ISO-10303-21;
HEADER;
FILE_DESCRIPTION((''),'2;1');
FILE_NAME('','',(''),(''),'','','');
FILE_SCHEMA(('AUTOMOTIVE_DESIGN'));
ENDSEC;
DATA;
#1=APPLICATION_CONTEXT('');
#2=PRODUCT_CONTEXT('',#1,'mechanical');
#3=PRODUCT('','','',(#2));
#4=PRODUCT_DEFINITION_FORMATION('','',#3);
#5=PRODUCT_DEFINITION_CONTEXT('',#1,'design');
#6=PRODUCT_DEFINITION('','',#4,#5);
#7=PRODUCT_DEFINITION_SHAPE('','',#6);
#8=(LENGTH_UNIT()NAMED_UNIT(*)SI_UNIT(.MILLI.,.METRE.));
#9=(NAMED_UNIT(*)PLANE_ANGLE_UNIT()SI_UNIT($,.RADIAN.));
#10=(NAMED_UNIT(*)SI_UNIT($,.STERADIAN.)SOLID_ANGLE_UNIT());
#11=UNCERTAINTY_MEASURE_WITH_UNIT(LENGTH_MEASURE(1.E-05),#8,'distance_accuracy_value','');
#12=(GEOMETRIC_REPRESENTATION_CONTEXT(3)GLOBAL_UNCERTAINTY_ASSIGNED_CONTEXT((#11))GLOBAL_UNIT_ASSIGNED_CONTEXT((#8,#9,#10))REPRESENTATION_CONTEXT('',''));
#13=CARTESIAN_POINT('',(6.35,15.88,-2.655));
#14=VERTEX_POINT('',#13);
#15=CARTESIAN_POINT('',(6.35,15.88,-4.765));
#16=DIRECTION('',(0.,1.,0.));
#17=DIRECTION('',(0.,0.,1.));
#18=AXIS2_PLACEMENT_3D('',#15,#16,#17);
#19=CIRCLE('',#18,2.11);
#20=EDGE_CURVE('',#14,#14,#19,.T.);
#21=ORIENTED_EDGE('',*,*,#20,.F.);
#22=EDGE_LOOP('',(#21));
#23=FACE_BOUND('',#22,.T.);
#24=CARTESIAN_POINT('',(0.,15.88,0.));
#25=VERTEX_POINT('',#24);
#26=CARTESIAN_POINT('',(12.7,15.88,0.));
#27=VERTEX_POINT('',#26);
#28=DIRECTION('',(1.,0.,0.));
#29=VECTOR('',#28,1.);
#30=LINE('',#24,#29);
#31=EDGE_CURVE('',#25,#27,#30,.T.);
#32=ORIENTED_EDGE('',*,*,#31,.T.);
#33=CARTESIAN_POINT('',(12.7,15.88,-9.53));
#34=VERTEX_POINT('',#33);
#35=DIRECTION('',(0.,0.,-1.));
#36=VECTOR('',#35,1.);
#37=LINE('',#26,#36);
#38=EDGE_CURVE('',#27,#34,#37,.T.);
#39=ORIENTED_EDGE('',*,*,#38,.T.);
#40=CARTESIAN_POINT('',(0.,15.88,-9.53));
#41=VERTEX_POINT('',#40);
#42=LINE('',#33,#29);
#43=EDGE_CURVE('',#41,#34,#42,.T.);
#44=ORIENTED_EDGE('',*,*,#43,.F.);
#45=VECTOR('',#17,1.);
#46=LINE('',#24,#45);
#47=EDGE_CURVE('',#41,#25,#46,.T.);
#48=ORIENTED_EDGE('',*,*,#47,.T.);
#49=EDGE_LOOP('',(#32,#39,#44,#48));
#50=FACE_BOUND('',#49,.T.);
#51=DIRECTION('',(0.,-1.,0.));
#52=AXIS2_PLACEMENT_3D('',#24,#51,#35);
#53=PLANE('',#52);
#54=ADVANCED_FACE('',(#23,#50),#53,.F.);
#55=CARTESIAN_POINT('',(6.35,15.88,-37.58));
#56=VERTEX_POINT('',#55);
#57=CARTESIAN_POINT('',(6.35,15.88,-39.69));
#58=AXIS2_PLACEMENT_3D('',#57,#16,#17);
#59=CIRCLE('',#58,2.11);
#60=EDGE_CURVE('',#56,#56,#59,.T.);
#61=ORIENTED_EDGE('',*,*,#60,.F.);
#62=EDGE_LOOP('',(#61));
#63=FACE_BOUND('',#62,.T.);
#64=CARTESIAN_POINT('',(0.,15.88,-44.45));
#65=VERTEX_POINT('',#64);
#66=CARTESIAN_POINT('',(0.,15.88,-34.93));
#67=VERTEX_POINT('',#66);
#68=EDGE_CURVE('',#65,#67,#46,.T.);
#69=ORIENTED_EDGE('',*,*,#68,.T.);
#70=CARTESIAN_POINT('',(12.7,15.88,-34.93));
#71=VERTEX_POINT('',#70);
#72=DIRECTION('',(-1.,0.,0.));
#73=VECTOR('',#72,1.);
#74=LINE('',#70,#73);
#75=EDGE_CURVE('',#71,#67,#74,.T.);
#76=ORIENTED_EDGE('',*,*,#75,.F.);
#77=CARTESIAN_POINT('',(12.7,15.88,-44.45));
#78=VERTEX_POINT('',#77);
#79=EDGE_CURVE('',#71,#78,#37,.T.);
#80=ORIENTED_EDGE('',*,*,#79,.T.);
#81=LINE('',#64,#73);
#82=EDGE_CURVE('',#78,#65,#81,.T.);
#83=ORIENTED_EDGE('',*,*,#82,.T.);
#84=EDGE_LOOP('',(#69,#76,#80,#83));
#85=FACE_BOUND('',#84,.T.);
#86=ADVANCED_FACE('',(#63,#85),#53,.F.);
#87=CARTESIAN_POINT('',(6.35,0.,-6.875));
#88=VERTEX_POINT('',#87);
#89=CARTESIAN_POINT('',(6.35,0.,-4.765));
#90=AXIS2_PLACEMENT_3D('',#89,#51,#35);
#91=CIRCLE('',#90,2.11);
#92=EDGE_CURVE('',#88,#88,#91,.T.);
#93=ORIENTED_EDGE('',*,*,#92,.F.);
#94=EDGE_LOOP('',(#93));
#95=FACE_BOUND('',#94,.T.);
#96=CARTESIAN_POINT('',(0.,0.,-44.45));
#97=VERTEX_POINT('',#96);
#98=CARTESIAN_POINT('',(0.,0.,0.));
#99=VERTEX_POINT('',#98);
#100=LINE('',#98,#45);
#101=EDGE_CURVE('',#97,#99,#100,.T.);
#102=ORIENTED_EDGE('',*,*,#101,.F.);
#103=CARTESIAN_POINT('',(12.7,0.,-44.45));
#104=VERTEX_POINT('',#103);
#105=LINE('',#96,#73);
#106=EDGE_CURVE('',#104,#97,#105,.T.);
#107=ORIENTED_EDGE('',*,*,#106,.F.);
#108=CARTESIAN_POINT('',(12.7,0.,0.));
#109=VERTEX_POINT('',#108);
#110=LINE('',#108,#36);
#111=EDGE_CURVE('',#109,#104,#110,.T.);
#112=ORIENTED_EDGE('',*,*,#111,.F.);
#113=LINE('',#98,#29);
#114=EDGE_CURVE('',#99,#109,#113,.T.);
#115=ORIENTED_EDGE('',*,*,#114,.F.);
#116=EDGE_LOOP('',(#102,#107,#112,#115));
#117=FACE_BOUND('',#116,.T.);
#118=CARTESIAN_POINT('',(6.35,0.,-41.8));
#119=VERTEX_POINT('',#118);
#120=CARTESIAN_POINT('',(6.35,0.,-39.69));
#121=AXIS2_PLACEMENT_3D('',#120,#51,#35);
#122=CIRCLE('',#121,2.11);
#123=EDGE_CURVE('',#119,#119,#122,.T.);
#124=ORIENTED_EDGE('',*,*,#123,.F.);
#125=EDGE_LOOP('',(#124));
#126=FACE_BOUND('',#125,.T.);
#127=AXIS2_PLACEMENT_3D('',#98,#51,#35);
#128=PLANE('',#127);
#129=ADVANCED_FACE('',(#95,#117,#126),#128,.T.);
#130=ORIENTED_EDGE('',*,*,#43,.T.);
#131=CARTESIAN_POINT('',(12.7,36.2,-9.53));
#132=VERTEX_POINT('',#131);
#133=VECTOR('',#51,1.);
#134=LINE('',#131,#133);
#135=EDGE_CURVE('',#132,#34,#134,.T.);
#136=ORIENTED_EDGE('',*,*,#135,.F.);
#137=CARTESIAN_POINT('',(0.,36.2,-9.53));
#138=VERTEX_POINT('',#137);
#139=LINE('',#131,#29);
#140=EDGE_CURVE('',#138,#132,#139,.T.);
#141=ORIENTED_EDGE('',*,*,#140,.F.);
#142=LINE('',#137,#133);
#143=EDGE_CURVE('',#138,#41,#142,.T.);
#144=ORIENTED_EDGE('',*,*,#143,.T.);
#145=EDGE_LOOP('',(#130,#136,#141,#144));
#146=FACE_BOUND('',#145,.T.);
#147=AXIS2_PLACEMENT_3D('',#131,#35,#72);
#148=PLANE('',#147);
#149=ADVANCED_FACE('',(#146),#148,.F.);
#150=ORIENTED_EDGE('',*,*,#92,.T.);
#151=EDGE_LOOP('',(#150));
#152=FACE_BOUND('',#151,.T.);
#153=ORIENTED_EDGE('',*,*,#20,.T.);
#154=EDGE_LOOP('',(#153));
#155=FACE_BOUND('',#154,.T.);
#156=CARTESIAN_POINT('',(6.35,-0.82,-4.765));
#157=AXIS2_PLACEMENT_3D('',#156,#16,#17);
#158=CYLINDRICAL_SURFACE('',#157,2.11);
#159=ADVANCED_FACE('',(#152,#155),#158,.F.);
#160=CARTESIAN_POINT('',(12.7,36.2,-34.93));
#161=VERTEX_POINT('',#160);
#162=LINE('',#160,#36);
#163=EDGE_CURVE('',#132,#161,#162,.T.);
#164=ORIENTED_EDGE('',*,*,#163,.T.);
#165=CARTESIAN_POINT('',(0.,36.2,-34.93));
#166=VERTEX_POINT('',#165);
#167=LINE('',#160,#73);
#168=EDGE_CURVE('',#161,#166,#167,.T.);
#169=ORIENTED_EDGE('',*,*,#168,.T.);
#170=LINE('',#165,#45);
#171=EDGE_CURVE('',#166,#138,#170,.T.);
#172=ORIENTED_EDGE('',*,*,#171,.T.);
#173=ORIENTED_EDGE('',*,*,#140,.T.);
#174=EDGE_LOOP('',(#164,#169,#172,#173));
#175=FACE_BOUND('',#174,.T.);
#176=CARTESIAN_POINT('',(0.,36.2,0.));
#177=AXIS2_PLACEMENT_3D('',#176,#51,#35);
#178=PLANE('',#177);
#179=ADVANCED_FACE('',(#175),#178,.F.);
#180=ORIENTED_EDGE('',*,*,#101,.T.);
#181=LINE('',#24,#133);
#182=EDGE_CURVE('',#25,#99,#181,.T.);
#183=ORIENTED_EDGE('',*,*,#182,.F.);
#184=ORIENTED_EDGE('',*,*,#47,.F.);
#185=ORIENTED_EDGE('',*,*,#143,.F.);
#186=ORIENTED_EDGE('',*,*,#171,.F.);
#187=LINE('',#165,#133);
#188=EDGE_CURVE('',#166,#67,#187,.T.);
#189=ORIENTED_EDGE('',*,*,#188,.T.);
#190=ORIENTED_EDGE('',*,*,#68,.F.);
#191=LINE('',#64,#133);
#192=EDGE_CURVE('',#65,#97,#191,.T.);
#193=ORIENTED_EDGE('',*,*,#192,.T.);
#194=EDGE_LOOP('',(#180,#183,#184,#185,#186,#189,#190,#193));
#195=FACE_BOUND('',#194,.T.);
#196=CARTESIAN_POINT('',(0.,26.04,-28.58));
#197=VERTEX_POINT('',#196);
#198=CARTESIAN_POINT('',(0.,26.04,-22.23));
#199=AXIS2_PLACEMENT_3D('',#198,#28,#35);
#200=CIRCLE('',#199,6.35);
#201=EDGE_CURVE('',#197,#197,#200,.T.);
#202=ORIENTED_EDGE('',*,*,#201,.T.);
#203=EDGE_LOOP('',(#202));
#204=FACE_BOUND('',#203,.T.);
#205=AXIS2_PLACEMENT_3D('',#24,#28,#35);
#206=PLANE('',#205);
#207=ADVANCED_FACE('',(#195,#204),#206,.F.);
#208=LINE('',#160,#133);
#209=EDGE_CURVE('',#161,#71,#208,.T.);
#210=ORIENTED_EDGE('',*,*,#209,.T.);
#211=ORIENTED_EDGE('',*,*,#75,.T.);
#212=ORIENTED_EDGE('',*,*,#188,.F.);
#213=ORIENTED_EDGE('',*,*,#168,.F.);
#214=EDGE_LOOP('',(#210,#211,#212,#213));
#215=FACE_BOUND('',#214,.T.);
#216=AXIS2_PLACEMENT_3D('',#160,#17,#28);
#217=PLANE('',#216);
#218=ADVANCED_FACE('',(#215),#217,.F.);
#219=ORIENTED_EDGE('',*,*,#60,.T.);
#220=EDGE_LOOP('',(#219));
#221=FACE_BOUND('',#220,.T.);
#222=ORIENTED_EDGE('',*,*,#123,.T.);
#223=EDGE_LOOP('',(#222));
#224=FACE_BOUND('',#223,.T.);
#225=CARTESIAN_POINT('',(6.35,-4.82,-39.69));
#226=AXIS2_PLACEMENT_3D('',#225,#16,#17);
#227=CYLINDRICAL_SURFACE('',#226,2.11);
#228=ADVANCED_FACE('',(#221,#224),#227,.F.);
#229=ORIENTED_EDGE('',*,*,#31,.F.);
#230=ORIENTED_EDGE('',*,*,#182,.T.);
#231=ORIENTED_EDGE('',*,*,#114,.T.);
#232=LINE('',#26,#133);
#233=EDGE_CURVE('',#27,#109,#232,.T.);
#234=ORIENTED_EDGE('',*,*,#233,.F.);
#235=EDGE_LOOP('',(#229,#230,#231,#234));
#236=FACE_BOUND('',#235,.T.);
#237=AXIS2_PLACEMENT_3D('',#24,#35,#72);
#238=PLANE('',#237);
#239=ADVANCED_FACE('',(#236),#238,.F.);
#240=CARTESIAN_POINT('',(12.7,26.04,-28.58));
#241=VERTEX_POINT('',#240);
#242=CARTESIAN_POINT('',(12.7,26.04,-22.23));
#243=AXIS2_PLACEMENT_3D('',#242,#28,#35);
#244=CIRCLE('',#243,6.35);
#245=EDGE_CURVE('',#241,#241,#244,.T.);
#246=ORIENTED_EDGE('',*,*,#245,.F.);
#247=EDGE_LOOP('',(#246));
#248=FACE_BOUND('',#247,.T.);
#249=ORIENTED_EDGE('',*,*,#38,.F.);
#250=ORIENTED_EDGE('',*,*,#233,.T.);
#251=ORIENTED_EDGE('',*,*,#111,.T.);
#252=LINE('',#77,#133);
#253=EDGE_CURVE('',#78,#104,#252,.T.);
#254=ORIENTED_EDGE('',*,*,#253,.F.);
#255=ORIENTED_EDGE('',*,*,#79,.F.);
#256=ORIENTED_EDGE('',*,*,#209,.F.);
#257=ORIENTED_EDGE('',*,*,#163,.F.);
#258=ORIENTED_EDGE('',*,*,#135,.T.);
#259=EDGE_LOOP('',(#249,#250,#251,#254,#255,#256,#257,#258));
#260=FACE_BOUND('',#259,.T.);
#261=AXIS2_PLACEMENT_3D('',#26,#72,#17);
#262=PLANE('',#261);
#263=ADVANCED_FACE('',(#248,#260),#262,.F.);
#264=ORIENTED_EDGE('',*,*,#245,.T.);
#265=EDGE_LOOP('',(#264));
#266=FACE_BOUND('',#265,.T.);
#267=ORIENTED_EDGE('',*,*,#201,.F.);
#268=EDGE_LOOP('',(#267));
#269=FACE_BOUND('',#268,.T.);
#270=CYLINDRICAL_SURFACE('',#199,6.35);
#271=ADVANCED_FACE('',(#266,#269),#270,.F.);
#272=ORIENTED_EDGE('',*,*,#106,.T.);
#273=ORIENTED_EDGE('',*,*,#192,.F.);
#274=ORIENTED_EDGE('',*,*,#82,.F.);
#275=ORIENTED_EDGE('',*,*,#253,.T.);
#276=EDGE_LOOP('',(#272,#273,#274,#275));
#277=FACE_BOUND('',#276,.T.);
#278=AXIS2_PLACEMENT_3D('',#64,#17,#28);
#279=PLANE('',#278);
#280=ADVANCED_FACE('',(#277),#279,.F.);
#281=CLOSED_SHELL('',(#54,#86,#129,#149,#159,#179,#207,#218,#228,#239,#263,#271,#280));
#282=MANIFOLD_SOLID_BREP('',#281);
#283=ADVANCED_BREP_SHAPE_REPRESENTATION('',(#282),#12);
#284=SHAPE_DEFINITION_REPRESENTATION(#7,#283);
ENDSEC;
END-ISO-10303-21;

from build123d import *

# Parameters (mm, degrees)
SKETCH2_W           = 12.7
SKETCH2_H           = 44.45
BOSS_EXTRUDE1_DEPTH = 15.88
SKETCH4_W           = 12.7
SKETCH4_H           = 25.4
BOSS_EXTRUDE2_DEPTH = 20.32
SKETCH5_R           = 6.35
CUT_EXTRUDE1_DEPTH  = 12.7
SKETCH6_R           = 2.11
CUT_EXTRUDE2_DEPTH  = 20.7
SKETCH7_R           = 2.11
CUT_EXTRUDE3_DEPTH  = 16.7


with BuildPart() as part:
    # Sketch2 → Boss-Extrude1 (new body)
    with BuildSketch(Plane(origin=(0, 0, 0), x_dir=(1, 0, 0), z_dir=(0, 1, 0))):
        with Locations((6.35, 22.225)):
            Rectangle(SKETCH2_W, SKETCH2_H)
    extrude(amount=BOSS_EXTRUDE1_DEPTH)

    # Sketch4 → Boss-Extrude2 (add)
    with BuildSketch(Plane(origin=(0, 15.88, 0), x_dir=(1, 0, 0), z_dir=(0, 1, 0))):
        with Locations((6.35, 22.23)):
            Rectangle(SKETCH4_W, SKETCH4_H)
    extrude(amount=BOSS_EXTRUDE2_DEPTH)

    # Sketch5 → Cut-Extrude1 (cut)
    with BuildSketch(Plane(origin=(12.7, 0, 0), x_dir=(0, 0, -1), z_dir=(1, 0, 0))):
        with Locations((22.23, 26.04)):
            Circle(SKETCH5_R)
    extrude(amount=-CUT_EXTRUDE1_DEPTH, mode=Mode.SUBTRACT)

    # Sketch6 → Cut-Extrude2 (cut)
    with BuildSketch(Plane(origin=(0, 15.88, 0), x_dir=(1, 0, 0), z_dir=(0, 1, 0))):
        with Locations((6.35, 39.69)):
            Circle(SKETCH6_R)
    extrude(amount=-CUT_EXTRUDE2_DEPTH, mode=Mode.SUBTRACT)

    # Sketch7 → Cut-Extrude3 (cut)
    with BuildSketch(Plane(origin=(0, 15.88, 0), x_dir=(1, 0, 0), z_dir=(0, 1, 0))):
        with Locations((6.35, 4.765)):
            Circle(SKETCH7_R)
    extrude(amount=-CUT_EXTRUDE3_DEPTH, mode=Mode.SUBTRACT)


solid = part.part
